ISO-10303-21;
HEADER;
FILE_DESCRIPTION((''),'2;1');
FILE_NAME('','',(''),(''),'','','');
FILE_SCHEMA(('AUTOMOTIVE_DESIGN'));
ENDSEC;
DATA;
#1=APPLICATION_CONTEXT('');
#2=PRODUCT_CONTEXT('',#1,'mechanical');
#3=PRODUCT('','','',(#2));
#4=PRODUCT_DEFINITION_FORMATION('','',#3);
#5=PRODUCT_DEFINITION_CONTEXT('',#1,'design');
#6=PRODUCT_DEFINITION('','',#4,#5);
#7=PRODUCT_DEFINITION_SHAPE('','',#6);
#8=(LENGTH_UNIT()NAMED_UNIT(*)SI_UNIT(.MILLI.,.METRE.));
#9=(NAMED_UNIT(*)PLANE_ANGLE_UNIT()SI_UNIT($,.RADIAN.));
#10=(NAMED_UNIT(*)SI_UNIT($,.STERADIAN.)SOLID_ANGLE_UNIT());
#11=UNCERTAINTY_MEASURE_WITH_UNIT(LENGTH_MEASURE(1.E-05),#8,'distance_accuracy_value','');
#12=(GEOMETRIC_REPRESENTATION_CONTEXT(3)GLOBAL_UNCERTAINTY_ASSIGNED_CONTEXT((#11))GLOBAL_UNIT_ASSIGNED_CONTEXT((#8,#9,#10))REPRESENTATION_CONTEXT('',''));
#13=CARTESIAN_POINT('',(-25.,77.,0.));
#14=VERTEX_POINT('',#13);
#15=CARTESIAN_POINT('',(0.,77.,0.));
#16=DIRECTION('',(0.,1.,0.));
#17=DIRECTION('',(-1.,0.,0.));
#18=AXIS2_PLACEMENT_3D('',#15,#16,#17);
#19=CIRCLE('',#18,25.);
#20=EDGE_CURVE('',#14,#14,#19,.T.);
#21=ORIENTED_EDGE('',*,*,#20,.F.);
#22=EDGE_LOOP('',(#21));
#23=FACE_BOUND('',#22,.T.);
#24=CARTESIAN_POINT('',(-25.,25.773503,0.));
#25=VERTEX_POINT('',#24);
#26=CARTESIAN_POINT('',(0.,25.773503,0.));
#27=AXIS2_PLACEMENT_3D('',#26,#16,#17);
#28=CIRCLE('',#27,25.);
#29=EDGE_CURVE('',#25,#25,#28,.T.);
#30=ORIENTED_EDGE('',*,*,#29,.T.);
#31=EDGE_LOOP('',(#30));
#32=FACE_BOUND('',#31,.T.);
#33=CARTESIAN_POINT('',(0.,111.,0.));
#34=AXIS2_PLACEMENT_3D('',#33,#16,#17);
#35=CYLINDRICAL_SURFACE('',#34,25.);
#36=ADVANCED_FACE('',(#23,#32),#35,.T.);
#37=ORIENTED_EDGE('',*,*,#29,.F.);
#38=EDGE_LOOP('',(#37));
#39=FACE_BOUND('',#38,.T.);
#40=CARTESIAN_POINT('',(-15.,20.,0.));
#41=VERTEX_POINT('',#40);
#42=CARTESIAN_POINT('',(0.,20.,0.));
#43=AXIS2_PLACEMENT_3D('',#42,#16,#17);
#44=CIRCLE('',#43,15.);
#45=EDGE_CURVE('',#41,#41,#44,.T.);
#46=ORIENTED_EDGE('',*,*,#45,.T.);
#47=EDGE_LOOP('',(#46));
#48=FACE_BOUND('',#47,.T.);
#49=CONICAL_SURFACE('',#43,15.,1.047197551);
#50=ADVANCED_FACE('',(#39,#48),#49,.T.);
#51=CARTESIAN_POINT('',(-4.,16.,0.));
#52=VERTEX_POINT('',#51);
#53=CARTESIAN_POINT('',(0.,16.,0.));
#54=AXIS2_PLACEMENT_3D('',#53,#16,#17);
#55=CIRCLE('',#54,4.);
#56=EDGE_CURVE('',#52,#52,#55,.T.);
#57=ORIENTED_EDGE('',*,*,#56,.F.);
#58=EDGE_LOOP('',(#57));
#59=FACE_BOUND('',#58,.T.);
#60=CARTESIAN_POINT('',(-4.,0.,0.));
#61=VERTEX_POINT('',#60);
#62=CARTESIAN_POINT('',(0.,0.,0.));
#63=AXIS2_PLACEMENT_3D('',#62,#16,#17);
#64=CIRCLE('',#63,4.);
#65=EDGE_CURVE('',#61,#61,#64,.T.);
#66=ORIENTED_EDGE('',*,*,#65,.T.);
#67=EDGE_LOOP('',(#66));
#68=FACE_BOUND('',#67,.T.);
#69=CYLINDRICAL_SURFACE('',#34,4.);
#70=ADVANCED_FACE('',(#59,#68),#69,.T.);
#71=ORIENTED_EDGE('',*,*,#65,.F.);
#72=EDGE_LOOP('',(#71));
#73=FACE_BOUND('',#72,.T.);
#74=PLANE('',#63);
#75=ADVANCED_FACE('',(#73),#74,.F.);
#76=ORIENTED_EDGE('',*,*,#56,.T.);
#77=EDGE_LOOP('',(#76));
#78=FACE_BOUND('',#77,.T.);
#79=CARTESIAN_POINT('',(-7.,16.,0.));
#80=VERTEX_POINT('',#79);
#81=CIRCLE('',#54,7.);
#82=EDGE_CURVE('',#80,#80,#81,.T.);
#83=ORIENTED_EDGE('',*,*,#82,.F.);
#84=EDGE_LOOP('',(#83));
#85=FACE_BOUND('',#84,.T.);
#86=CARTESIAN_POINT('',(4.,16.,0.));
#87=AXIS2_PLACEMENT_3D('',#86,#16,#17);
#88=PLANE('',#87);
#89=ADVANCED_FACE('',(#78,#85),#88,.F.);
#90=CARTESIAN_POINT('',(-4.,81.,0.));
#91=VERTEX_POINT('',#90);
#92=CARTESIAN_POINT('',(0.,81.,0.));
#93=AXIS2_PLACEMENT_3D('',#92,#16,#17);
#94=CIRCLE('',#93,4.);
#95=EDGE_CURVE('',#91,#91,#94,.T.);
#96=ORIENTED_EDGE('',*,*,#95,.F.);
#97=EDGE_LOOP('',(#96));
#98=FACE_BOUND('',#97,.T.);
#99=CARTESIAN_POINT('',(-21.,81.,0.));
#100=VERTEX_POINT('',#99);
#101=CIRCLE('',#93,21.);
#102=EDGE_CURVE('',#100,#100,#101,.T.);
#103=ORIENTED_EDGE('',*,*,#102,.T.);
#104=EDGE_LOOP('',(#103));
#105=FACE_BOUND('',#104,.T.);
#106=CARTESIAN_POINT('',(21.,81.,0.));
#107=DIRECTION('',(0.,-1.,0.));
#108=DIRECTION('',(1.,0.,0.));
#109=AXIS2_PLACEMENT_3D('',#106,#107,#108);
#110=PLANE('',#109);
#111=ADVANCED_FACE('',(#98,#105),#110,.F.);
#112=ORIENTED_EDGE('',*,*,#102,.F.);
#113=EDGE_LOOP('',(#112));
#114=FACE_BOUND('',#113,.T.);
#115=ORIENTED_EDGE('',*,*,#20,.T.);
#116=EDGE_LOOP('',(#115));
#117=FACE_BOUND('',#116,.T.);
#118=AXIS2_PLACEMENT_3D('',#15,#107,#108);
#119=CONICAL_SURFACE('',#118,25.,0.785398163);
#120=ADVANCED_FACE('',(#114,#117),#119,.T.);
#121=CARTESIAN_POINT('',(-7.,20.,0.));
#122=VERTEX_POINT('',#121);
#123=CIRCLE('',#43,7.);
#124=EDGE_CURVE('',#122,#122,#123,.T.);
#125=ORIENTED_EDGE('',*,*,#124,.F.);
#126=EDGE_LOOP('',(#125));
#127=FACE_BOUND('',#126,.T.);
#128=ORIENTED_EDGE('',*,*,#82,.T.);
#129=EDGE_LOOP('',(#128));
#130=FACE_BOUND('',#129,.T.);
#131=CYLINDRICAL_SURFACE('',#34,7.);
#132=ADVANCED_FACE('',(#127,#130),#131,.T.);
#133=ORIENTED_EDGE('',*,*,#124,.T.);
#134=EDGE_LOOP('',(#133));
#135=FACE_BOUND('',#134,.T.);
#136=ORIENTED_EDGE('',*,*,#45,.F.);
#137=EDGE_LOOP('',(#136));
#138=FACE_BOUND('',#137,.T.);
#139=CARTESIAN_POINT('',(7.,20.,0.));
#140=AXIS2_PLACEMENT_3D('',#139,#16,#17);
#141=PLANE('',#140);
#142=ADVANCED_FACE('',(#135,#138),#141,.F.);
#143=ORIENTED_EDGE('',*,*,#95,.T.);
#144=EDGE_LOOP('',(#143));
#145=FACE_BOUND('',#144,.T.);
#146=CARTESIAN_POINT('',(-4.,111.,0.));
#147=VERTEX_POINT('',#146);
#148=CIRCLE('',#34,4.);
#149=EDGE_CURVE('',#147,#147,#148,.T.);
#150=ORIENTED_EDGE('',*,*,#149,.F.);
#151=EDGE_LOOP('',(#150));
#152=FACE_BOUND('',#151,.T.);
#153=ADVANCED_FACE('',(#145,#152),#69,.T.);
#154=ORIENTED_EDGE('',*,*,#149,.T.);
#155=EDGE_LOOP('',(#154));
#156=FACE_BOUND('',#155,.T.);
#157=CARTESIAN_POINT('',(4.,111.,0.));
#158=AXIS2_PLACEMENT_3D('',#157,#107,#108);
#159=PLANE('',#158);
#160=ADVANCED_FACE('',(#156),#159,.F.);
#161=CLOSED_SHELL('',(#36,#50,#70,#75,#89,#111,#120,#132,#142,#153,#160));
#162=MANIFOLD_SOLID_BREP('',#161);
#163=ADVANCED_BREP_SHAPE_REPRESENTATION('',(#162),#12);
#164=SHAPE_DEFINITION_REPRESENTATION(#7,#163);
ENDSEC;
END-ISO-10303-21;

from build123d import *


with BuildPart() as part:
    # Sketch1 → Revolve1 (revolve)
    with BuildSketch(Plane.XY, mode=Mode.PRIVATE) as revolve1_sk:
        Polygon((0, 0), (4, 0), (4, 16), (7, 16), (7, 20), (15, 20), (25, 25.773502692), (25, 77), (21, 81), (4, 81), (4, 111), (0, 111), align=None)
    revolve(revolve1_sk.sketch.rotate(Axis((0, 111, 0), (0, -1, 0)), 180), axis=Axis((0, 111, 0), (0, -1, 0)))


solid = part.part
